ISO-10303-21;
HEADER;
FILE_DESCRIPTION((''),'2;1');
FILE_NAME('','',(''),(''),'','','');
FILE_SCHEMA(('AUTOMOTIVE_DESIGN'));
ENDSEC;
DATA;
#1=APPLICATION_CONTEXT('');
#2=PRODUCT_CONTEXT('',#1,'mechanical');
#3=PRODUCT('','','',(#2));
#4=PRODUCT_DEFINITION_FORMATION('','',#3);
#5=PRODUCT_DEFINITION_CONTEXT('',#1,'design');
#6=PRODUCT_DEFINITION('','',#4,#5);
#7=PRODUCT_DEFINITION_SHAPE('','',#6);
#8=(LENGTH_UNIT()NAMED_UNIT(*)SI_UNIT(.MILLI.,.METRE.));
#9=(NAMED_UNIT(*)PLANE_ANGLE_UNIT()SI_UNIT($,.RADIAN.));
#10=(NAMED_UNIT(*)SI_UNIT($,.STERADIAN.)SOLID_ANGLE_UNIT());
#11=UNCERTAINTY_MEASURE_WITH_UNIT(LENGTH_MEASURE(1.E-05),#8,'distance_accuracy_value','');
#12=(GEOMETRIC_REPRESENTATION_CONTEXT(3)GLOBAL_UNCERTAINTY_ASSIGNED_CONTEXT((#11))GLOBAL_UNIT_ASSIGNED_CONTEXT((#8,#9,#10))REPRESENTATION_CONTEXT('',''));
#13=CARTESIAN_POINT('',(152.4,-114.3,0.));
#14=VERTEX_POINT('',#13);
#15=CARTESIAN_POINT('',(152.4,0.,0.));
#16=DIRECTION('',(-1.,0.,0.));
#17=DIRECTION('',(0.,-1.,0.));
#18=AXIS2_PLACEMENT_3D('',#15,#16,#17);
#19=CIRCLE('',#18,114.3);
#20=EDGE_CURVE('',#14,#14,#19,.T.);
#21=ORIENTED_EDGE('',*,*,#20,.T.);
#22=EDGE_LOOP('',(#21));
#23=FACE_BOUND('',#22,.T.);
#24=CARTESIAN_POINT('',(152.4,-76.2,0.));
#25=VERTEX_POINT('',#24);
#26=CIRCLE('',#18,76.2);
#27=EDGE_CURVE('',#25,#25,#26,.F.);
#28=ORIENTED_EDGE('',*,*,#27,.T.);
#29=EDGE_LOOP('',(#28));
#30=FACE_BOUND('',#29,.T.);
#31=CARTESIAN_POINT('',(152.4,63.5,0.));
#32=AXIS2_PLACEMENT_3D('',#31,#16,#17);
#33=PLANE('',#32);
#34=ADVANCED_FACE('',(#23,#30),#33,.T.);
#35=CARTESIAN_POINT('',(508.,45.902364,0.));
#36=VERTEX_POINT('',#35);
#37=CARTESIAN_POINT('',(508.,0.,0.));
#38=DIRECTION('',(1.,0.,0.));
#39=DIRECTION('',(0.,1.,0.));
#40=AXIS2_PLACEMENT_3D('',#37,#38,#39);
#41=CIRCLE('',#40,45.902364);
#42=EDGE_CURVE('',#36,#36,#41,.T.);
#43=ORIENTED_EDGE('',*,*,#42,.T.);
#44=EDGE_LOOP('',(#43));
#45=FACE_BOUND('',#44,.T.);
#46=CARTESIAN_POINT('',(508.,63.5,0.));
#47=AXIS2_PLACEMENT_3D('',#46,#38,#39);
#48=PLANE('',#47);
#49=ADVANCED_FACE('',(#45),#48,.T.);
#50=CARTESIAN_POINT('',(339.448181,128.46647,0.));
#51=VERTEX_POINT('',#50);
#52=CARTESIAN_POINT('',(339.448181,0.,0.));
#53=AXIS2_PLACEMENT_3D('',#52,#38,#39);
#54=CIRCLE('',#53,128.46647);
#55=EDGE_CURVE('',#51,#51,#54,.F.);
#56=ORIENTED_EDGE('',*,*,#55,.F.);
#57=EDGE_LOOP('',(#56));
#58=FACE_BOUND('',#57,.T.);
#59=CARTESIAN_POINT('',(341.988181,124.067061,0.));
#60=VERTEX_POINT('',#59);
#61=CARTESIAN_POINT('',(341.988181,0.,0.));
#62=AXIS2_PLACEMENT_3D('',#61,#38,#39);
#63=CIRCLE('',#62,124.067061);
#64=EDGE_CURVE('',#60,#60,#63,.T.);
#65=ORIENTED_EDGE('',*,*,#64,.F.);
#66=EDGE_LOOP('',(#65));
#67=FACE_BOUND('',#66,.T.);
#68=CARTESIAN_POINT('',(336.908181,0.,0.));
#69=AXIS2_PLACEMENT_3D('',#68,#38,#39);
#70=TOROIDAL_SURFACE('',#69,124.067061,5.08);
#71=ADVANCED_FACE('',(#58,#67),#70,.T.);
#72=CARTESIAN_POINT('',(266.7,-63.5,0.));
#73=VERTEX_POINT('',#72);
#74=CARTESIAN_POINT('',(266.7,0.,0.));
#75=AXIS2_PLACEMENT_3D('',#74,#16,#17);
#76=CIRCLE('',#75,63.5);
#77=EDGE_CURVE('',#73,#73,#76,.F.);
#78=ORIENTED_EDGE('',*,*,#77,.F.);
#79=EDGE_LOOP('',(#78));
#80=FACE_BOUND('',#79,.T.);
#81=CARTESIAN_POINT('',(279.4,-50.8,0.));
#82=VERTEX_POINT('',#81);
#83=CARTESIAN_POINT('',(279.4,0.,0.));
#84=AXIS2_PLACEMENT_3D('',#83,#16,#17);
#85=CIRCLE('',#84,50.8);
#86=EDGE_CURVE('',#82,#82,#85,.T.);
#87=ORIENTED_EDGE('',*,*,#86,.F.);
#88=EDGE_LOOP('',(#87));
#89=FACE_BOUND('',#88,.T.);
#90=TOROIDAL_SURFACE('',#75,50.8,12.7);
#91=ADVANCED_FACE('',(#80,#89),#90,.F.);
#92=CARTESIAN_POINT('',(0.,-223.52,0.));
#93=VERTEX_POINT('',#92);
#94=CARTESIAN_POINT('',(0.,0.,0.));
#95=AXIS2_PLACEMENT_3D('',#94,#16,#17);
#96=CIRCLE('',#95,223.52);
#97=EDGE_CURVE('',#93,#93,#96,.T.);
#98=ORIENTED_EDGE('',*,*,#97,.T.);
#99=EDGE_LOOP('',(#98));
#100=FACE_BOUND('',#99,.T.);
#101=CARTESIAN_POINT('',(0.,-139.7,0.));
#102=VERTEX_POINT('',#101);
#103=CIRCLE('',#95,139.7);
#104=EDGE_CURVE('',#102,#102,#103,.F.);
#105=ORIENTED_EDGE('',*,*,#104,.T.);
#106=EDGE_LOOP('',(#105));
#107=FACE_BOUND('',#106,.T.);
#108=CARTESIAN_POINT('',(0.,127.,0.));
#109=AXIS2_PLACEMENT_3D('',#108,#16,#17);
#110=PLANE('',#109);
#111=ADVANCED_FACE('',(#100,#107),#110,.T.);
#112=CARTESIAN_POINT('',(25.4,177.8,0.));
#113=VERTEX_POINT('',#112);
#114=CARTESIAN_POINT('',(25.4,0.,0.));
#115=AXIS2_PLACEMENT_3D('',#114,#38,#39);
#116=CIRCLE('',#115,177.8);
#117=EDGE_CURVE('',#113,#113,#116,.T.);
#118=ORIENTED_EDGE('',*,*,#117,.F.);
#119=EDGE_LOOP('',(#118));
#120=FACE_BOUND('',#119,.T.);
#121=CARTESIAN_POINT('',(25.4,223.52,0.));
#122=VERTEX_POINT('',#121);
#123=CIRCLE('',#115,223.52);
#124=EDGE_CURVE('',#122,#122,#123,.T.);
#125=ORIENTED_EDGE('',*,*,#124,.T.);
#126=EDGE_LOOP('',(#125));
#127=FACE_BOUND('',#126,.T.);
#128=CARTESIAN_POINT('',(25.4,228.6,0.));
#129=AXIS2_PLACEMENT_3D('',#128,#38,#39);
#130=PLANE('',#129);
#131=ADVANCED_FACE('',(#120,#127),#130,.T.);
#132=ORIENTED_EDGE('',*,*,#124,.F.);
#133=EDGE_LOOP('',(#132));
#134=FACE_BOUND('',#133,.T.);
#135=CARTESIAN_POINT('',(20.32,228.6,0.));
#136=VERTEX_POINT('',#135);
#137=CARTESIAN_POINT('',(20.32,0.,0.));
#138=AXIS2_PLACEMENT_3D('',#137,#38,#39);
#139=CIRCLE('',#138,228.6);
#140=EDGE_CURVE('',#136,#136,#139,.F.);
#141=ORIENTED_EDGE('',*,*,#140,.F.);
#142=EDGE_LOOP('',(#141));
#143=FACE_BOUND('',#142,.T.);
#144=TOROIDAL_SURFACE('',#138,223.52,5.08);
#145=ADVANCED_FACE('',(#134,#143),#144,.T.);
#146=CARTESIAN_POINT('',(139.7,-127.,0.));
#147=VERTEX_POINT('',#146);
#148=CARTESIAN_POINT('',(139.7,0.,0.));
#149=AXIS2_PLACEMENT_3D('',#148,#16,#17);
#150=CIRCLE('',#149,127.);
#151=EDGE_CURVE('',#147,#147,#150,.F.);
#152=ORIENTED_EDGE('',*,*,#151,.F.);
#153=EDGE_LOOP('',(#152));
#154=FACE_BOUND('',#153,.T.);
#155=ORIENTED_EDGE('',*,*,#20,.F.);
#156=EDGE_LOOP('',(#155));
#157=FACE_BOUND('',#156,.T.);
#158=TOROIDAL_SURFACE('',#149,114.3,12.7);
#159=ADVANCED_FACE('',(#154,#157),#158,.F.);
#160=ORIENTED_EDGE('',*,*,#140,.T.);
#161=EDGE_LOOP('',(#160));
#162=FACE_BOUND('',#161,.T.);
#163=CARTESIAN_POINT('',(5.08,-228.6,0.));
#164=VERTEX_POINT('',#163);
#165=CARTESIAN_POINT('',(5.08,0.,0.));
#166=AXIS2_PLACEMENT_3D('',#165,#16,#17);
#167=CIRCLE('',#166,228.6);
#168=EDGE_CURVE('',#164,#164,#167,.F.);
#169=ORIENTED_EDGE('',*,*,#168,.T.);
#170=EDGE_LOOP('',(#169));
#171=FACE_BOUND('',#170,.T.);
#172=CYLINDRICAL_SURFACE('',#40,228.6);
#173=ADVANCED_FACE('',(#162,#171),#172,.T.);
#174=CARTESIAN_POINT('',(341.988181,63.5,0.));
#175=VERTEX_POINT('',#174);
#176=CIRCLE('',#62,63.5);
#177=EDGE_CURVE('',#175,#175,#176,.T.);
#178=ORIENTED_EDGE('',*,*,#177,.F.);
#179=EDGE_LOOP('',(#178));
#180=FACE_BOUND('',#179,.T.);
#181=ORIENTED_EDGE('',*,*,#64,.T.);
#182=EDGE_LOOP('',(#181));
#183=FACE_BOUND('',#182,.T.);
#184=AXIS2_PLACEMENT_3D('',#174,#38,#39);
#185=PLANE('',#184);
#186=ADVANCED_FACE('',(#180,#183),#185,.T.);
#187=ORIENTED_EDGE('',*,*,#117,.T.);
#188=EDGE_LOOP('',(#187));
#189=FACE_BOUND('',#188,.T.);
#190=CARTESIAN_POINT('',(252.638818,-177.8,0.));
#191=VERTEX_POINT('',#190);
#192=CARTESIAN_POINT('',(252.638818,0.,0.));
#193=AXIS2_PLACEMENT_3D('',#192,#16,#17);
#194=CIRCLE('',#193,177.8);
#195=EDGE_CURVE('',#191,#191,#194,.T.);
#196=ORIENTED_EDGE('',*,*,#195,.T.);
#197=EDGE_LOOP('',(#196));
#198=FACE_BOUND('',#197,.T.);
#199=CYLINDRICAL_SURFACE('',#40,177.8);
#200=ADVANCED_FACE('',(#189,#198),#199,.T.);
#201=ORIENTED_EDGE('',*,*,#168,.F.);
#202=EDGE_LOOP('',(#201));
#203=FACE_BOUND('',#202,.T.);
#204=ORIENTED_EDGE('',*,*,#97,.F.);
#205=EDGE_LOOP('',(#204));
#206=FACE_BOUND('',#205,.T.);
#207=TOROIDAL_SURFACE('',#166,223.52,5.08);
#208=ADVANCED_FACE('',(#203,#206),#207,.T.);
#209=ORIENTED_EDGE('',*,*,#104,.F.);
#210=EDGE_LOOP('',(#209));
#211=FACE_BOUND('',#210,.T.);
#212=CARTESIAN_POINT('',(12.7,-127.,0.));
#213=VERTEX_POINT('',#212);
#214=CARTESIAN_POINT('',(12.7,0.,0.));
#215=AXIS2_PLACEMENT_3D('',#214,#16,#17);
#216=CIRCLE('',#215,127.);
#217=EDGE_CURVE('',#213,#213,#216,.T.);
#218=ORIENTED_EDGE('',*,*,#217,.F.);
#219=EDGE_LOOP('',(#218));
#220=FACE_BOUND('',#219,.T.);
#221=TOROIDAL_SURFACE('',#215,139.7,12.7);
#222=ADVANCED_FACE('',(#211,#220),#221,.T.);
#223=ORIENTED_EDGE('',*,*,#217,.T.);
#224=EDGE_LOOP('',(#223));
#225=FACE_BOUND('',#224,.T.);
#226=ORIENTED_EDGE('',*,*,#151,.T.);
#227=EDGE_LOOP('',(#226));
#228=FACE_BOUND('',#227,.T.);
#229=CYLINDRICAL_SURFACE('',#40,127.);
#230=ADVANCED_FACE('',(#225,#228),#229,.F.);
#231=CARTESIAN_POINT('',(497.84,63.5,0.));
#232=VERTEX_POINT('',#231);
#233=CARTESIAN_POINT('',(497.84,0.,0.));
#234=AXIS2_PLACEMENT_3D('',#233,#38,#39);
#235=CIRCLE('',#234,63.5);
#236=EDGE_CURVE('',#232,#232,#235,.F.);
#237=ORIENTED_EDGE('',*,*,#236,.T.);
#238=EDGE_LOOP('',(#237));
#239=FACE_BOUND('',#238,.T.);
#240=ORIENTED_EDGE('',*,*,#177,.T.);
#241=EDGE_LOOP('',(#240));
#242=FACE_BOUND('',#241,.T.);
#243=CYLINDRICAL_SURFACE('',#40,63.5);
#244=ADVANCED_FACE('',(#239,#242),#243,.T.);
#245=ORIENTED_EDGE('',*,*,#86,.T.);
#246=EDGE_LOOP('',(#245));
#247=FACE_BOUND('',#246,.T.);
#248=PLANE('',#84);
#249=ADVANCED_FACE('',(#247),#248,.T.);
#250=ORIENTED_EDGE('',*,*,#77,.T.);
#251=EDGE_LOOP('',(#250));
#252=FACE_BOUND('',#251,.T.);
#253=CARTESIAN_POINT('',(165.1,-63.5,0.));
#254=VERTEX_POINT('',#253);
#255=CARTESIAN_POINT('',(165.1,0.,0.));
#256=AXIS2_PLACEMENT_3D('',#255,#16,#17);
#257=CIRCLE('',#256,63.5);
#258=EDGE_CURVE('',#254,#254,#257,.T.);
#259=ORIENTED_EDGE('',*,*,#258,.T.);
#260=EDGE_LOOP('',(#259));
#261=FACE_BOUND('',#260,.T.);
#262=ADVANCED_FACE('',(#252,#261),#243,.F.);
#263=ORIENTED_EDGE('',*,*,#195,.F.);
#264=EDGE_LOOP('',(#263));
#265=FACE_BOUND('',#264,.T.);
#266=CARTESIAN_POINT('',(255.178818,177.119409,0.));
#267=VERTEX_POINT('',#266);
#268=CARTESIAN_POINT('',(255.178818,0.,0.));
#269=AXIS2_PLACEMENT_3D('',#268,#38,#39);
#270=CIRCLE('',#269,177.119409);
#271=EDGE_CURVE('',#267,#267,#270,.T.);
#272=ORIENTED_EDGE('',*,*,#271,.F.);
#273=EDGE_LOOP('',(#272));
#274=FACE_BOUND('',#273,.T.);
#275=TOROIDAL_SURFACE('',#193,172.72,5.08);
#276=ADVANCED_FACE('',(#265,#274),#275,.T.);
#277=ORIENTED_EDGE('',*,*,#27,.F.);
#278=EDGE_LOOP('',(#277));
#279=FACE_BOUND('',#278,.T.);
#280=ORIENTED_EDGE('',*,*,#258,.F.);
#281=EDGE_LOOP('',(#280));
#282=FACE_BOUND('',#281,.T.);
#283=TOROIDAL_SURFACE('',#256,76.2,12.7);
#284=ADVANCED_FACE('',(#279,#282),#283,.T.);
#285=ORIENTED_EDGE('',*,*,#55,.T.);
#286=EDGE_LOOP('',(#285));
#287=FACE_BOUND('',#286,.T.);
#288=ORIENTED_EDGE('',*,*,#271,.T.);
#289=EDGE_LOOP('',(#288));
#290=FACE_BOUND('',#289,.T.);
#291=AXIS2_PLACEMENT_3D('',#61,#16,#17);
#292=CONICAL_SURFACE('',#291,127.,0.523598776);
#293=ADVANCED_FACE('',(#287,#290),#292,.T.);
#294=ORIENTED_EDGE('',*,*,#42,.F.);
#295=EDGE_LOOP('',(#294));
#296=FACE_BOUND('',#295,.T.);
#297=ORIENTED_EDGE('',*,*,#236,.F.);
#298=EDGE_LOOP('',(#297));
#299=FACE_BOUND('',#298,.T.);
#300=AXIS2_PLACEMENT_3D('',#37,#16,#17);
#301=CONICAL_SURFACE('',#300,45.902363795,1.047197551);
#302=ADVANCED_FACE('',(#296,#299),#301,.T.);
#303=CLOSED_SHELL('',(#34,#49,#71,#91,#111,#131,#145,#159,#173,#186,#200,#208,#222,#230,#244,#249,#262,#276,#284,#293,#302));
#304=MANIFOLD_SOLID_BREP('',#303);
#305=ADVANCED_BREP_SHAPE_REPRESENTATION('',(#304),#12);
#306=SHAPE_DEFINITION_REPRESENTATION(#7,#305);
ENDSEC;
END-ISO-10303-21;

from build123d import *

# Parameters (mm, degrees)
FILLET1_R      = 5.08
FILLET2_R      = 12.7
CHAMFER1_SIZE  = 10.16
CHAMFER1_SIZE2 = 17.597636205


with BuildPart() as part:
    # Sketch1 → Revolve1 (revolve)
    with BuildSketch(Plane.XY):
        Polygon((0, 228.6), (25.4, 228.6), (25.4, 177.8), (254, 177.8), (341.988181024, 127), (341.988181024, 63.5), (508, 63.5), (508, 0), (279.4, 0), (279.4, 63.5), (152.4, 63.5), (152.4, 127), (0, 127), align=None)
    revolve(axis=Axis((508, 0, 0), (-1, 0, 0)))

    # Fillet1
    fillet1_edges = [part.edges().sort_by_distance(p)[0] for p in [
        (341.988181024, -127, 0),
        (254, -177.8, 0),
        (25.4, -228.6, 0),
        (0, -228.6, 0),
    ]]
    fillet(fillet1_edges, radius=FILLET1_R)

    # Fillet2
    fillet2_edges = [part.edges().sort_by_distance(p)[0] for p in [
        (0, -127, 0),
        (152.4, -127, 0),
        (152.4, -63.5, 0),
        (279.4, -63.5, 0),
    ]]
    fillet(fillet2_edges, radius=FILLET2_R)

    # Chamfer1
    chamfer1_edges = [part.edges().sort_by_distance(p)[0] for p in [
        (508, -63.5, 0),
    ]]
    chamfer1_side = [part.faces().sort_by_distance(p)[0] for p in [
        (424.994090512, -63.5, 0),
    ]]
    chamfer(chamfer1_edges, length=CHAMFER1_SIZE, length2=CHAMFER1_SIZE2, reference=chamfer1_side[0])


solid = part.part
